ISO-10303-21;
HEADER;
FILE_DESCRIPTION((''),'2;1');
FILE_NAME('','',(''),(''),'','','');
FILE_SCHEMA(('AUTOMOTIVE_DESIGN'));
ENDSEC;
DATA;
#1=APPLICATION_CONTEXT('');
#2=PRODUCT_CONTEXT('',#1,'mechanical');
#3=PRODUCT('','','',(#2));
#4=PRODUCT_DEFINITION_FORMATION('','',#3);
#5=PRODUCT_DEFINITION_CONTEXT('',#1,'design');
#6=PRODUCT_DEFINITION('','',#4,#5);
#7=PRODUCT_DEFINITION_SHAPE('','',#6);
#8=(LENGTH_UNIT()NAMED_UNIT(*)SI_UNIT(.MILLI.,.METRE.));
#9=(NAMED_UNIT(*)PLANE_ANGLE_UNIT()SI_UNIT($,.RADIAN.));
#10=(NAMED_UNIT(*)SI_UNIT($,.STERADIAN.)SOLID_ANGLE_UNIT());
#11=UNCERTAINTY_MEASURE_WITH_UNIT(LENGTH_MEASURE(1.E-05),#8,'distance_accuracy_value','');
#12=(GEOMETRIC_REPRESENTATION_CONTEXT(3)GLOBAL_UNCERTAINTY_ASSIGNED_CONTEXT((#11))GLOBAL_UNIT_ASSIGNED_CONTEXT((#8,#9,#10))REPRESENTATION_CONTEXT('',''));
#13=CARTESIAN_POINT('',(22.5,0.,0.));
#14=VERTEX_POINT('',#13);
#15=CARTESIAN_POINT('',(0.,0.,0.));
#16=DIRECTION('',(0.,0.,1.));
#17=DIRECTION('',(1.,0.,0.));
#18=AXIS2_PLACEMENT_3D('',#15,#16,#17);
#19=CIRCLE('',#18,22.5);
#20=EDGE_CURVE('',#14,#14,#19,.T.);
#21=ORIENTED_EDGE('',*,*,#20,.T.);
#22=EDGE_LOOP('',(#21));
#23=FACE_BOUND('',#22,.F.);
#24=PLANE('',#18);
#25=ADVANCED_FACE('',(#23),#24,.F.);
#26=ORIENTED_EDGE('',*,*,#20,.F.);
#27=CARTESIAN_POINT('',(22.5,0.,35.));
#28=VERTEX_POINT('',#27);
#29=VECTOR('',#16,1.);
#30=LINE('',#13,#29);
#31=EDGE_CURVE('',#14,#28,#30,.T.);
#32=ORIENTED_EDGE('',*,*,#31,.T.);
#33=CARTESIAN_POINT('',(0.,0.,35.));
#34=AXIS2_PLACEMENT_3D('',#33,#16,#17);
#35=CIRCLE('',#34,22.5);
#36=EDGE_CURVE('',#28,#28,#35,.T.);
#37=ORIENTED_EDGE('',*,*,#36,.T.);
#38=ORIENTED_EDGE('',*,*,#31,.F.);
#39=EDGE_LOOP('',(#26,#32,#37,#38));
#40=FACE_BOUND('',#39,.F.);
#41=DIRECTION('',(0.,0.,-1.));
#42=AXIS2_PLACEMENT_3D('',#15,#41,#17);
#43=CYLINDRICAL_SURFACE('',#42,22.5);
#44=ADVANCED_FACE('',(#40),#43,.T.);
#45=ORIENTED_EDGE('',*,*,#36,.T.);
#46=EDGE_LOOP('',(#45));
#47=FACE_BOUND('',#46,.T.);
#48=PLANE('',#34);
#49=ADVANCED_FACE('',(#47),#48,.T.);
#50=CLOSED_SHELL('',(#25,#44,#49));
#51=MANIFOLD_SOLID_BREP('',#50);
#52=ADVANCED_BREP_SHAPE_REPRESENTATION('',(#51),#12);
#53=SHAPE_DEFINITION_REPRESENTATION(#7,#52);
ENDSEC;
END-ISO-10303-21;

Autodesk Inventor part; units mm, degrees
ref_plane "YZ Plane" through (0, 0, 0) normal (1, 0, 0) x (0, 1, 0)
ref_plane "XZ Plane" through (0, 0, 0) normal (0, 1, 0) x (-1, 0, 0)
ref_plane "XY Plane" through (0, 0, 0) normal (0, 0, 1) x (1, 0, 0)
sketch "Sketch1" plane through (0, 0, 0) normal (0, 0, 1) x (1, 0, 0)
  circle A0 centre (0, 0) radius 22.5
  dimension "d0" = 45
extrude "Extrusion1" add sketch "Sketch1" along normal blind 35
equation "\"d1\" = ProductBaseHeight"
equation "\"ProductBaseHeight\" = 35"
equation "\"GridProcutClearance\" = 3"
equation "\"GridBorderThickness\" = 5"
equation "\"GridBorderFillets\" = 7"
equation "\"GridTotalSize\" = 63"
equation "\"BaseTotalWidth\" = 352"
